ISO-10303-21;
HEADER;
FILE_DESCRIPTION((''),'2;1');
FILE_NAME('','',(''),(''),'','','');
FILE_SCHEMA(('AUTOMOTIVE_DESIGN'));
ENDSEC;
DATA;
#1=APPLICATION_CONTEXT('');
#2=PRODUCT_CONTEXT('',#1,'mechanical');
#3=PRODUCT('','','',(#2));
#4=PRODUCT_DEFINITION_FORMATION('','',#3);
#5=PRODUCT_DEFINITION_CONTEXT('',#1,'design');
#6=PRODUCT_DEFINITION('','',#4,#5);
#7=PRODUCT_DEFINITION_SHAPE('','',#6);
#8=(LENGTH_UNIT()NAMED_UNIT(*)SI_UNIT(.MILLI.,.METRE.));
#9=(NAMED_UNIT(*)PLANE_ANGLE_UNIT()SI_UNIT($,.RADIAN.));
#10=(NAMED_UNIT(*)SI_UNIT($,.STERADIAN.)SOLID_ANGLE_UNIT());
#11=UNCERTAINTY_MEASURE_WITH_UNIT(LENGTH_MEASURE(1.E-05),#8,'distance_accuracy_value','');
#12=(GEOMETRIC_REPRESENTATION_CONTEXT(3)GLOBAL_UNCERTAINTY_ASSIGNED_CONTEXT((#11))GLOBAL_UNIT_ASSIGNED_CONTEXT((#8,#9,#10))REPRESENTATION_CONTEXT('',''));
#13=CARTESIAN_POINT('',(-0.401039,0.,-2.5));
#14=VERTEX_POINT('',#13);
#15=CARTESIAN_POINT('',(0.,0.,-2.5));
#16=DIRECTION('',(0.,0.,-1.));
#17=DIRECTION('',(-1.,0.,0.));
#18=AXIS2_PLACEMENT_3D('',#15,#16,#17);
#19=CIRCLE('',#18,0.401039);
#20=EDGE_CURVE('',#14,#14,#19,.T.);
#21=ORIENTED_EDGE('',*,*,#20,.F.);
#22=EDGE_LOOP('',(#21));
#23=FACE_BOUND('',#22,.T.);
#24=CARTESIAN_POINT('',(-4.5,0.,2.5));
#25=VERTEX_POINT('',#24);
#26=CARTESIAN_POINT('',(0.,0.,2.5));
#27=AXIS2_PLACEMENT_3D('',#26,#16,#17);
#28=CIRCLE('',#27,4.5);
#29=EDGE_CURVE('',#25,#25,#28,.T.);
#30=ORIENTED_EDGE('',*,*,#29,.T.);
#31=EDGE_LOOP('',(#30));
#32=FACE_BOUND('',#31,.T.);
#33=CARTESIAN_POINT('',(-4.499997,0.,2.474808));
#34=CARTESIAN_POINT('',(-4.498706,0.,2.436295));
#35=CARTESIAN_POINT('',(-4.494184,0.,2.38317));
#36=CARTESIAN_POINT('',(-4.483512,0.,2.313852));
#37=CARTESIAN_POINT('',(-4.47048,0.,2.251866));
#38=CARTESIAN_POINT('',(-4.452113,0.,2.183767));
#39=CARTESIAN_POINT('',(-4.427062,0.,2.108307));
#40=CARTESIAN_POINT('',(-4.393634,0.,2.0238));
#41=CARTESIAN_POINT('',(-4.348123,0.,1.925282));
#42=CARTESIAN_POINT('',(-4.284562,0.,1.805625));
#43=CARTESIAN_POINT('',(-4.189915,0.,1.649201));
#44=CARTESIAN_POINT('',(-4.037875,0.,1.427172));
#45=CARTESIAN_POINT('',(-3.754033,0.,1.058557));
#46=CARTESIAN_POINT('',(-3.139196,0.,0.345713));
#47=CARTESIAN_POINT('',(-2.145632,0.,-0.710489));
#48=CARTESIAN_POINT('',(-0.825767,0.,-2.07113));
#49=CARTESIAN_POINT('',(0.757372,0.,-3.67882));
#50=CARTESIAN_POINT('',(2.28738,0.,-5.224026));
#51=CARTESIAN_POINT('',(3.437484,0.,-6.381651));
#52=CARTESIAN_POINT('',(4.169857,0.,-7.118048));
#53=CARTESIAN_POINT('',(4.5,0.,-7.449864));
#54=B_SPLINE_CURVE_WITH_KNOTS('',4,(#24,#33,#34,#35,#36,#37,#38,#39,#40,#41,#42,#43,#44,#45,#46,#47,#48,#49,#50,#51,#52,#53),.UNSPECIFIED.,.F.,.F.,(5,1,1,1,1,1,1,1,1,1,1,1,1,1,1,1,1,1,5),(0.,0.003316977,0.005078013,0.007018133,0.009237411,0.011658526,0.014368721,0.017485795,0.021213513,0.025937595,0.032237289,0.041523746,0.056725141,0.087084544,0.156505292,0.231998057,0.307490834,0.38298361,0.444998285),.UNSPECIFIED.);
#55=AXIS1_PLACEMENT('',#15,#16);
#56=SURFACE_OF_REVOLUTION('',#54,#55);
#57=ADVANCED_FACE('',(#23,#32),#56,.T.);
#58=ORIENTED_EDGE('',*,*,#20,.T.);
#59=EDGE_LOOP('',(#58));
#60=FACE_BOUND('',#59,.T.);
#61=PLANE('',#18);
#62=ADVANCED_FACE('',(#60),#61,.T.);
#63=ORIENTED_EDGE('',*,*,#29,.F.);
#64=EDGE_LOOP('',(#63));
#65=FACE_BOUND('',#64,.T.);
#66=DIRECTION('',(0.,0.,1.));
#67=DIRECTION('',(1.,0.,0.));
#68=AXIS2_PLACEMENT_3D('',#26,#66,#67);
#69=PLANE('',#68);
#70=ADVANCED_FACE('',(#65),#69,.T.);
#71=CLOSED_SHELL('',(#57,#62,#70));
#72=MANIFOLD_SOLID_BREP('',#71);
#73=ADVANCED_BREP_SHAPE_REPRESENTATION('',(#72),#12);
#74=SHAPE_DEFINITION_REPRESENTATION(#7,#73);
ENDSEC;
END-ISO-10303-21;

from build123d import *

# Parameters (mm, degrees)
SKETCH2_W = 4.5
SKETCH2_H = 5


with BuildPart() as part:
    # Sketch2 → Revolve1 (revolve)
    with BuildSketch(Plane(origin=(0, 0, 0), x_dir=(1, 0, 0), z_dir=(0, 1, 0))):
        with Locations((-2.25, 0)):
            Rectangle(SKETCH2_W, SKETCH2_H)
    revolve(axis=Axis((0, 0, -2.5), (0, 0, 1)))

    # Sketch3 → Cut-Revolve5 (revolve, cut)
    with BuildSketch(Plane(origin=(0, 0, 0), x_dir=(1, 0, 0), z_dir=(0, 1, 0))):
        with BuildLine():
            Line((-4.5, 2.5), (-4.5, -2.5))
            add(Edge.make_bspline(
                [(-4.5, -2.5), (-4.499996897, -2.474808213), (-4.498705661, -2.436294843), (-4.494183981, -2.383169856), (-4.483512447, -2.313852145), (-4.470479801, -2.251866197), (-4.452112597, -2.183766932), (-4.427062126, -2.10830651), (-4.393633977, -2.023800352), (-4.348123135, -1.925281593), (-4.284562236, -1.805625101), (-4.189915094, -1.649201073), (-4.037874892, -1.427172183), (-3.754032581, -1.058556653), (-3.139196221, -0.345713375), (-2.231635042, 0.619063958), (-1.396596117, 1.482405659), (-0.71494574, 2.179886342), (-0.40103856, 2.5)],
                knots=[0, 0, 0, 0, 0, 0.003316977, 0.005078013, 0.007018133, 0.009237411, 0.011658526, 0.014368721, 0.017485795, 0.021213513, 0.025937595, 0.032237289, 0.041523746, 0.056725141, 0.087084544, 0.156505292, 0.215510652, 0.215510652, 0.215510652, 0.215510652, 0.215510652], degree=4))
            Line((-0.40103856, 2.5), (-4.5, 2.5))
        make_face()
    revolve(axis=Axis((0, 0, -2.5), (0, 0, 1)), mode=Mode.SUBTRACT)


solid = part.part
